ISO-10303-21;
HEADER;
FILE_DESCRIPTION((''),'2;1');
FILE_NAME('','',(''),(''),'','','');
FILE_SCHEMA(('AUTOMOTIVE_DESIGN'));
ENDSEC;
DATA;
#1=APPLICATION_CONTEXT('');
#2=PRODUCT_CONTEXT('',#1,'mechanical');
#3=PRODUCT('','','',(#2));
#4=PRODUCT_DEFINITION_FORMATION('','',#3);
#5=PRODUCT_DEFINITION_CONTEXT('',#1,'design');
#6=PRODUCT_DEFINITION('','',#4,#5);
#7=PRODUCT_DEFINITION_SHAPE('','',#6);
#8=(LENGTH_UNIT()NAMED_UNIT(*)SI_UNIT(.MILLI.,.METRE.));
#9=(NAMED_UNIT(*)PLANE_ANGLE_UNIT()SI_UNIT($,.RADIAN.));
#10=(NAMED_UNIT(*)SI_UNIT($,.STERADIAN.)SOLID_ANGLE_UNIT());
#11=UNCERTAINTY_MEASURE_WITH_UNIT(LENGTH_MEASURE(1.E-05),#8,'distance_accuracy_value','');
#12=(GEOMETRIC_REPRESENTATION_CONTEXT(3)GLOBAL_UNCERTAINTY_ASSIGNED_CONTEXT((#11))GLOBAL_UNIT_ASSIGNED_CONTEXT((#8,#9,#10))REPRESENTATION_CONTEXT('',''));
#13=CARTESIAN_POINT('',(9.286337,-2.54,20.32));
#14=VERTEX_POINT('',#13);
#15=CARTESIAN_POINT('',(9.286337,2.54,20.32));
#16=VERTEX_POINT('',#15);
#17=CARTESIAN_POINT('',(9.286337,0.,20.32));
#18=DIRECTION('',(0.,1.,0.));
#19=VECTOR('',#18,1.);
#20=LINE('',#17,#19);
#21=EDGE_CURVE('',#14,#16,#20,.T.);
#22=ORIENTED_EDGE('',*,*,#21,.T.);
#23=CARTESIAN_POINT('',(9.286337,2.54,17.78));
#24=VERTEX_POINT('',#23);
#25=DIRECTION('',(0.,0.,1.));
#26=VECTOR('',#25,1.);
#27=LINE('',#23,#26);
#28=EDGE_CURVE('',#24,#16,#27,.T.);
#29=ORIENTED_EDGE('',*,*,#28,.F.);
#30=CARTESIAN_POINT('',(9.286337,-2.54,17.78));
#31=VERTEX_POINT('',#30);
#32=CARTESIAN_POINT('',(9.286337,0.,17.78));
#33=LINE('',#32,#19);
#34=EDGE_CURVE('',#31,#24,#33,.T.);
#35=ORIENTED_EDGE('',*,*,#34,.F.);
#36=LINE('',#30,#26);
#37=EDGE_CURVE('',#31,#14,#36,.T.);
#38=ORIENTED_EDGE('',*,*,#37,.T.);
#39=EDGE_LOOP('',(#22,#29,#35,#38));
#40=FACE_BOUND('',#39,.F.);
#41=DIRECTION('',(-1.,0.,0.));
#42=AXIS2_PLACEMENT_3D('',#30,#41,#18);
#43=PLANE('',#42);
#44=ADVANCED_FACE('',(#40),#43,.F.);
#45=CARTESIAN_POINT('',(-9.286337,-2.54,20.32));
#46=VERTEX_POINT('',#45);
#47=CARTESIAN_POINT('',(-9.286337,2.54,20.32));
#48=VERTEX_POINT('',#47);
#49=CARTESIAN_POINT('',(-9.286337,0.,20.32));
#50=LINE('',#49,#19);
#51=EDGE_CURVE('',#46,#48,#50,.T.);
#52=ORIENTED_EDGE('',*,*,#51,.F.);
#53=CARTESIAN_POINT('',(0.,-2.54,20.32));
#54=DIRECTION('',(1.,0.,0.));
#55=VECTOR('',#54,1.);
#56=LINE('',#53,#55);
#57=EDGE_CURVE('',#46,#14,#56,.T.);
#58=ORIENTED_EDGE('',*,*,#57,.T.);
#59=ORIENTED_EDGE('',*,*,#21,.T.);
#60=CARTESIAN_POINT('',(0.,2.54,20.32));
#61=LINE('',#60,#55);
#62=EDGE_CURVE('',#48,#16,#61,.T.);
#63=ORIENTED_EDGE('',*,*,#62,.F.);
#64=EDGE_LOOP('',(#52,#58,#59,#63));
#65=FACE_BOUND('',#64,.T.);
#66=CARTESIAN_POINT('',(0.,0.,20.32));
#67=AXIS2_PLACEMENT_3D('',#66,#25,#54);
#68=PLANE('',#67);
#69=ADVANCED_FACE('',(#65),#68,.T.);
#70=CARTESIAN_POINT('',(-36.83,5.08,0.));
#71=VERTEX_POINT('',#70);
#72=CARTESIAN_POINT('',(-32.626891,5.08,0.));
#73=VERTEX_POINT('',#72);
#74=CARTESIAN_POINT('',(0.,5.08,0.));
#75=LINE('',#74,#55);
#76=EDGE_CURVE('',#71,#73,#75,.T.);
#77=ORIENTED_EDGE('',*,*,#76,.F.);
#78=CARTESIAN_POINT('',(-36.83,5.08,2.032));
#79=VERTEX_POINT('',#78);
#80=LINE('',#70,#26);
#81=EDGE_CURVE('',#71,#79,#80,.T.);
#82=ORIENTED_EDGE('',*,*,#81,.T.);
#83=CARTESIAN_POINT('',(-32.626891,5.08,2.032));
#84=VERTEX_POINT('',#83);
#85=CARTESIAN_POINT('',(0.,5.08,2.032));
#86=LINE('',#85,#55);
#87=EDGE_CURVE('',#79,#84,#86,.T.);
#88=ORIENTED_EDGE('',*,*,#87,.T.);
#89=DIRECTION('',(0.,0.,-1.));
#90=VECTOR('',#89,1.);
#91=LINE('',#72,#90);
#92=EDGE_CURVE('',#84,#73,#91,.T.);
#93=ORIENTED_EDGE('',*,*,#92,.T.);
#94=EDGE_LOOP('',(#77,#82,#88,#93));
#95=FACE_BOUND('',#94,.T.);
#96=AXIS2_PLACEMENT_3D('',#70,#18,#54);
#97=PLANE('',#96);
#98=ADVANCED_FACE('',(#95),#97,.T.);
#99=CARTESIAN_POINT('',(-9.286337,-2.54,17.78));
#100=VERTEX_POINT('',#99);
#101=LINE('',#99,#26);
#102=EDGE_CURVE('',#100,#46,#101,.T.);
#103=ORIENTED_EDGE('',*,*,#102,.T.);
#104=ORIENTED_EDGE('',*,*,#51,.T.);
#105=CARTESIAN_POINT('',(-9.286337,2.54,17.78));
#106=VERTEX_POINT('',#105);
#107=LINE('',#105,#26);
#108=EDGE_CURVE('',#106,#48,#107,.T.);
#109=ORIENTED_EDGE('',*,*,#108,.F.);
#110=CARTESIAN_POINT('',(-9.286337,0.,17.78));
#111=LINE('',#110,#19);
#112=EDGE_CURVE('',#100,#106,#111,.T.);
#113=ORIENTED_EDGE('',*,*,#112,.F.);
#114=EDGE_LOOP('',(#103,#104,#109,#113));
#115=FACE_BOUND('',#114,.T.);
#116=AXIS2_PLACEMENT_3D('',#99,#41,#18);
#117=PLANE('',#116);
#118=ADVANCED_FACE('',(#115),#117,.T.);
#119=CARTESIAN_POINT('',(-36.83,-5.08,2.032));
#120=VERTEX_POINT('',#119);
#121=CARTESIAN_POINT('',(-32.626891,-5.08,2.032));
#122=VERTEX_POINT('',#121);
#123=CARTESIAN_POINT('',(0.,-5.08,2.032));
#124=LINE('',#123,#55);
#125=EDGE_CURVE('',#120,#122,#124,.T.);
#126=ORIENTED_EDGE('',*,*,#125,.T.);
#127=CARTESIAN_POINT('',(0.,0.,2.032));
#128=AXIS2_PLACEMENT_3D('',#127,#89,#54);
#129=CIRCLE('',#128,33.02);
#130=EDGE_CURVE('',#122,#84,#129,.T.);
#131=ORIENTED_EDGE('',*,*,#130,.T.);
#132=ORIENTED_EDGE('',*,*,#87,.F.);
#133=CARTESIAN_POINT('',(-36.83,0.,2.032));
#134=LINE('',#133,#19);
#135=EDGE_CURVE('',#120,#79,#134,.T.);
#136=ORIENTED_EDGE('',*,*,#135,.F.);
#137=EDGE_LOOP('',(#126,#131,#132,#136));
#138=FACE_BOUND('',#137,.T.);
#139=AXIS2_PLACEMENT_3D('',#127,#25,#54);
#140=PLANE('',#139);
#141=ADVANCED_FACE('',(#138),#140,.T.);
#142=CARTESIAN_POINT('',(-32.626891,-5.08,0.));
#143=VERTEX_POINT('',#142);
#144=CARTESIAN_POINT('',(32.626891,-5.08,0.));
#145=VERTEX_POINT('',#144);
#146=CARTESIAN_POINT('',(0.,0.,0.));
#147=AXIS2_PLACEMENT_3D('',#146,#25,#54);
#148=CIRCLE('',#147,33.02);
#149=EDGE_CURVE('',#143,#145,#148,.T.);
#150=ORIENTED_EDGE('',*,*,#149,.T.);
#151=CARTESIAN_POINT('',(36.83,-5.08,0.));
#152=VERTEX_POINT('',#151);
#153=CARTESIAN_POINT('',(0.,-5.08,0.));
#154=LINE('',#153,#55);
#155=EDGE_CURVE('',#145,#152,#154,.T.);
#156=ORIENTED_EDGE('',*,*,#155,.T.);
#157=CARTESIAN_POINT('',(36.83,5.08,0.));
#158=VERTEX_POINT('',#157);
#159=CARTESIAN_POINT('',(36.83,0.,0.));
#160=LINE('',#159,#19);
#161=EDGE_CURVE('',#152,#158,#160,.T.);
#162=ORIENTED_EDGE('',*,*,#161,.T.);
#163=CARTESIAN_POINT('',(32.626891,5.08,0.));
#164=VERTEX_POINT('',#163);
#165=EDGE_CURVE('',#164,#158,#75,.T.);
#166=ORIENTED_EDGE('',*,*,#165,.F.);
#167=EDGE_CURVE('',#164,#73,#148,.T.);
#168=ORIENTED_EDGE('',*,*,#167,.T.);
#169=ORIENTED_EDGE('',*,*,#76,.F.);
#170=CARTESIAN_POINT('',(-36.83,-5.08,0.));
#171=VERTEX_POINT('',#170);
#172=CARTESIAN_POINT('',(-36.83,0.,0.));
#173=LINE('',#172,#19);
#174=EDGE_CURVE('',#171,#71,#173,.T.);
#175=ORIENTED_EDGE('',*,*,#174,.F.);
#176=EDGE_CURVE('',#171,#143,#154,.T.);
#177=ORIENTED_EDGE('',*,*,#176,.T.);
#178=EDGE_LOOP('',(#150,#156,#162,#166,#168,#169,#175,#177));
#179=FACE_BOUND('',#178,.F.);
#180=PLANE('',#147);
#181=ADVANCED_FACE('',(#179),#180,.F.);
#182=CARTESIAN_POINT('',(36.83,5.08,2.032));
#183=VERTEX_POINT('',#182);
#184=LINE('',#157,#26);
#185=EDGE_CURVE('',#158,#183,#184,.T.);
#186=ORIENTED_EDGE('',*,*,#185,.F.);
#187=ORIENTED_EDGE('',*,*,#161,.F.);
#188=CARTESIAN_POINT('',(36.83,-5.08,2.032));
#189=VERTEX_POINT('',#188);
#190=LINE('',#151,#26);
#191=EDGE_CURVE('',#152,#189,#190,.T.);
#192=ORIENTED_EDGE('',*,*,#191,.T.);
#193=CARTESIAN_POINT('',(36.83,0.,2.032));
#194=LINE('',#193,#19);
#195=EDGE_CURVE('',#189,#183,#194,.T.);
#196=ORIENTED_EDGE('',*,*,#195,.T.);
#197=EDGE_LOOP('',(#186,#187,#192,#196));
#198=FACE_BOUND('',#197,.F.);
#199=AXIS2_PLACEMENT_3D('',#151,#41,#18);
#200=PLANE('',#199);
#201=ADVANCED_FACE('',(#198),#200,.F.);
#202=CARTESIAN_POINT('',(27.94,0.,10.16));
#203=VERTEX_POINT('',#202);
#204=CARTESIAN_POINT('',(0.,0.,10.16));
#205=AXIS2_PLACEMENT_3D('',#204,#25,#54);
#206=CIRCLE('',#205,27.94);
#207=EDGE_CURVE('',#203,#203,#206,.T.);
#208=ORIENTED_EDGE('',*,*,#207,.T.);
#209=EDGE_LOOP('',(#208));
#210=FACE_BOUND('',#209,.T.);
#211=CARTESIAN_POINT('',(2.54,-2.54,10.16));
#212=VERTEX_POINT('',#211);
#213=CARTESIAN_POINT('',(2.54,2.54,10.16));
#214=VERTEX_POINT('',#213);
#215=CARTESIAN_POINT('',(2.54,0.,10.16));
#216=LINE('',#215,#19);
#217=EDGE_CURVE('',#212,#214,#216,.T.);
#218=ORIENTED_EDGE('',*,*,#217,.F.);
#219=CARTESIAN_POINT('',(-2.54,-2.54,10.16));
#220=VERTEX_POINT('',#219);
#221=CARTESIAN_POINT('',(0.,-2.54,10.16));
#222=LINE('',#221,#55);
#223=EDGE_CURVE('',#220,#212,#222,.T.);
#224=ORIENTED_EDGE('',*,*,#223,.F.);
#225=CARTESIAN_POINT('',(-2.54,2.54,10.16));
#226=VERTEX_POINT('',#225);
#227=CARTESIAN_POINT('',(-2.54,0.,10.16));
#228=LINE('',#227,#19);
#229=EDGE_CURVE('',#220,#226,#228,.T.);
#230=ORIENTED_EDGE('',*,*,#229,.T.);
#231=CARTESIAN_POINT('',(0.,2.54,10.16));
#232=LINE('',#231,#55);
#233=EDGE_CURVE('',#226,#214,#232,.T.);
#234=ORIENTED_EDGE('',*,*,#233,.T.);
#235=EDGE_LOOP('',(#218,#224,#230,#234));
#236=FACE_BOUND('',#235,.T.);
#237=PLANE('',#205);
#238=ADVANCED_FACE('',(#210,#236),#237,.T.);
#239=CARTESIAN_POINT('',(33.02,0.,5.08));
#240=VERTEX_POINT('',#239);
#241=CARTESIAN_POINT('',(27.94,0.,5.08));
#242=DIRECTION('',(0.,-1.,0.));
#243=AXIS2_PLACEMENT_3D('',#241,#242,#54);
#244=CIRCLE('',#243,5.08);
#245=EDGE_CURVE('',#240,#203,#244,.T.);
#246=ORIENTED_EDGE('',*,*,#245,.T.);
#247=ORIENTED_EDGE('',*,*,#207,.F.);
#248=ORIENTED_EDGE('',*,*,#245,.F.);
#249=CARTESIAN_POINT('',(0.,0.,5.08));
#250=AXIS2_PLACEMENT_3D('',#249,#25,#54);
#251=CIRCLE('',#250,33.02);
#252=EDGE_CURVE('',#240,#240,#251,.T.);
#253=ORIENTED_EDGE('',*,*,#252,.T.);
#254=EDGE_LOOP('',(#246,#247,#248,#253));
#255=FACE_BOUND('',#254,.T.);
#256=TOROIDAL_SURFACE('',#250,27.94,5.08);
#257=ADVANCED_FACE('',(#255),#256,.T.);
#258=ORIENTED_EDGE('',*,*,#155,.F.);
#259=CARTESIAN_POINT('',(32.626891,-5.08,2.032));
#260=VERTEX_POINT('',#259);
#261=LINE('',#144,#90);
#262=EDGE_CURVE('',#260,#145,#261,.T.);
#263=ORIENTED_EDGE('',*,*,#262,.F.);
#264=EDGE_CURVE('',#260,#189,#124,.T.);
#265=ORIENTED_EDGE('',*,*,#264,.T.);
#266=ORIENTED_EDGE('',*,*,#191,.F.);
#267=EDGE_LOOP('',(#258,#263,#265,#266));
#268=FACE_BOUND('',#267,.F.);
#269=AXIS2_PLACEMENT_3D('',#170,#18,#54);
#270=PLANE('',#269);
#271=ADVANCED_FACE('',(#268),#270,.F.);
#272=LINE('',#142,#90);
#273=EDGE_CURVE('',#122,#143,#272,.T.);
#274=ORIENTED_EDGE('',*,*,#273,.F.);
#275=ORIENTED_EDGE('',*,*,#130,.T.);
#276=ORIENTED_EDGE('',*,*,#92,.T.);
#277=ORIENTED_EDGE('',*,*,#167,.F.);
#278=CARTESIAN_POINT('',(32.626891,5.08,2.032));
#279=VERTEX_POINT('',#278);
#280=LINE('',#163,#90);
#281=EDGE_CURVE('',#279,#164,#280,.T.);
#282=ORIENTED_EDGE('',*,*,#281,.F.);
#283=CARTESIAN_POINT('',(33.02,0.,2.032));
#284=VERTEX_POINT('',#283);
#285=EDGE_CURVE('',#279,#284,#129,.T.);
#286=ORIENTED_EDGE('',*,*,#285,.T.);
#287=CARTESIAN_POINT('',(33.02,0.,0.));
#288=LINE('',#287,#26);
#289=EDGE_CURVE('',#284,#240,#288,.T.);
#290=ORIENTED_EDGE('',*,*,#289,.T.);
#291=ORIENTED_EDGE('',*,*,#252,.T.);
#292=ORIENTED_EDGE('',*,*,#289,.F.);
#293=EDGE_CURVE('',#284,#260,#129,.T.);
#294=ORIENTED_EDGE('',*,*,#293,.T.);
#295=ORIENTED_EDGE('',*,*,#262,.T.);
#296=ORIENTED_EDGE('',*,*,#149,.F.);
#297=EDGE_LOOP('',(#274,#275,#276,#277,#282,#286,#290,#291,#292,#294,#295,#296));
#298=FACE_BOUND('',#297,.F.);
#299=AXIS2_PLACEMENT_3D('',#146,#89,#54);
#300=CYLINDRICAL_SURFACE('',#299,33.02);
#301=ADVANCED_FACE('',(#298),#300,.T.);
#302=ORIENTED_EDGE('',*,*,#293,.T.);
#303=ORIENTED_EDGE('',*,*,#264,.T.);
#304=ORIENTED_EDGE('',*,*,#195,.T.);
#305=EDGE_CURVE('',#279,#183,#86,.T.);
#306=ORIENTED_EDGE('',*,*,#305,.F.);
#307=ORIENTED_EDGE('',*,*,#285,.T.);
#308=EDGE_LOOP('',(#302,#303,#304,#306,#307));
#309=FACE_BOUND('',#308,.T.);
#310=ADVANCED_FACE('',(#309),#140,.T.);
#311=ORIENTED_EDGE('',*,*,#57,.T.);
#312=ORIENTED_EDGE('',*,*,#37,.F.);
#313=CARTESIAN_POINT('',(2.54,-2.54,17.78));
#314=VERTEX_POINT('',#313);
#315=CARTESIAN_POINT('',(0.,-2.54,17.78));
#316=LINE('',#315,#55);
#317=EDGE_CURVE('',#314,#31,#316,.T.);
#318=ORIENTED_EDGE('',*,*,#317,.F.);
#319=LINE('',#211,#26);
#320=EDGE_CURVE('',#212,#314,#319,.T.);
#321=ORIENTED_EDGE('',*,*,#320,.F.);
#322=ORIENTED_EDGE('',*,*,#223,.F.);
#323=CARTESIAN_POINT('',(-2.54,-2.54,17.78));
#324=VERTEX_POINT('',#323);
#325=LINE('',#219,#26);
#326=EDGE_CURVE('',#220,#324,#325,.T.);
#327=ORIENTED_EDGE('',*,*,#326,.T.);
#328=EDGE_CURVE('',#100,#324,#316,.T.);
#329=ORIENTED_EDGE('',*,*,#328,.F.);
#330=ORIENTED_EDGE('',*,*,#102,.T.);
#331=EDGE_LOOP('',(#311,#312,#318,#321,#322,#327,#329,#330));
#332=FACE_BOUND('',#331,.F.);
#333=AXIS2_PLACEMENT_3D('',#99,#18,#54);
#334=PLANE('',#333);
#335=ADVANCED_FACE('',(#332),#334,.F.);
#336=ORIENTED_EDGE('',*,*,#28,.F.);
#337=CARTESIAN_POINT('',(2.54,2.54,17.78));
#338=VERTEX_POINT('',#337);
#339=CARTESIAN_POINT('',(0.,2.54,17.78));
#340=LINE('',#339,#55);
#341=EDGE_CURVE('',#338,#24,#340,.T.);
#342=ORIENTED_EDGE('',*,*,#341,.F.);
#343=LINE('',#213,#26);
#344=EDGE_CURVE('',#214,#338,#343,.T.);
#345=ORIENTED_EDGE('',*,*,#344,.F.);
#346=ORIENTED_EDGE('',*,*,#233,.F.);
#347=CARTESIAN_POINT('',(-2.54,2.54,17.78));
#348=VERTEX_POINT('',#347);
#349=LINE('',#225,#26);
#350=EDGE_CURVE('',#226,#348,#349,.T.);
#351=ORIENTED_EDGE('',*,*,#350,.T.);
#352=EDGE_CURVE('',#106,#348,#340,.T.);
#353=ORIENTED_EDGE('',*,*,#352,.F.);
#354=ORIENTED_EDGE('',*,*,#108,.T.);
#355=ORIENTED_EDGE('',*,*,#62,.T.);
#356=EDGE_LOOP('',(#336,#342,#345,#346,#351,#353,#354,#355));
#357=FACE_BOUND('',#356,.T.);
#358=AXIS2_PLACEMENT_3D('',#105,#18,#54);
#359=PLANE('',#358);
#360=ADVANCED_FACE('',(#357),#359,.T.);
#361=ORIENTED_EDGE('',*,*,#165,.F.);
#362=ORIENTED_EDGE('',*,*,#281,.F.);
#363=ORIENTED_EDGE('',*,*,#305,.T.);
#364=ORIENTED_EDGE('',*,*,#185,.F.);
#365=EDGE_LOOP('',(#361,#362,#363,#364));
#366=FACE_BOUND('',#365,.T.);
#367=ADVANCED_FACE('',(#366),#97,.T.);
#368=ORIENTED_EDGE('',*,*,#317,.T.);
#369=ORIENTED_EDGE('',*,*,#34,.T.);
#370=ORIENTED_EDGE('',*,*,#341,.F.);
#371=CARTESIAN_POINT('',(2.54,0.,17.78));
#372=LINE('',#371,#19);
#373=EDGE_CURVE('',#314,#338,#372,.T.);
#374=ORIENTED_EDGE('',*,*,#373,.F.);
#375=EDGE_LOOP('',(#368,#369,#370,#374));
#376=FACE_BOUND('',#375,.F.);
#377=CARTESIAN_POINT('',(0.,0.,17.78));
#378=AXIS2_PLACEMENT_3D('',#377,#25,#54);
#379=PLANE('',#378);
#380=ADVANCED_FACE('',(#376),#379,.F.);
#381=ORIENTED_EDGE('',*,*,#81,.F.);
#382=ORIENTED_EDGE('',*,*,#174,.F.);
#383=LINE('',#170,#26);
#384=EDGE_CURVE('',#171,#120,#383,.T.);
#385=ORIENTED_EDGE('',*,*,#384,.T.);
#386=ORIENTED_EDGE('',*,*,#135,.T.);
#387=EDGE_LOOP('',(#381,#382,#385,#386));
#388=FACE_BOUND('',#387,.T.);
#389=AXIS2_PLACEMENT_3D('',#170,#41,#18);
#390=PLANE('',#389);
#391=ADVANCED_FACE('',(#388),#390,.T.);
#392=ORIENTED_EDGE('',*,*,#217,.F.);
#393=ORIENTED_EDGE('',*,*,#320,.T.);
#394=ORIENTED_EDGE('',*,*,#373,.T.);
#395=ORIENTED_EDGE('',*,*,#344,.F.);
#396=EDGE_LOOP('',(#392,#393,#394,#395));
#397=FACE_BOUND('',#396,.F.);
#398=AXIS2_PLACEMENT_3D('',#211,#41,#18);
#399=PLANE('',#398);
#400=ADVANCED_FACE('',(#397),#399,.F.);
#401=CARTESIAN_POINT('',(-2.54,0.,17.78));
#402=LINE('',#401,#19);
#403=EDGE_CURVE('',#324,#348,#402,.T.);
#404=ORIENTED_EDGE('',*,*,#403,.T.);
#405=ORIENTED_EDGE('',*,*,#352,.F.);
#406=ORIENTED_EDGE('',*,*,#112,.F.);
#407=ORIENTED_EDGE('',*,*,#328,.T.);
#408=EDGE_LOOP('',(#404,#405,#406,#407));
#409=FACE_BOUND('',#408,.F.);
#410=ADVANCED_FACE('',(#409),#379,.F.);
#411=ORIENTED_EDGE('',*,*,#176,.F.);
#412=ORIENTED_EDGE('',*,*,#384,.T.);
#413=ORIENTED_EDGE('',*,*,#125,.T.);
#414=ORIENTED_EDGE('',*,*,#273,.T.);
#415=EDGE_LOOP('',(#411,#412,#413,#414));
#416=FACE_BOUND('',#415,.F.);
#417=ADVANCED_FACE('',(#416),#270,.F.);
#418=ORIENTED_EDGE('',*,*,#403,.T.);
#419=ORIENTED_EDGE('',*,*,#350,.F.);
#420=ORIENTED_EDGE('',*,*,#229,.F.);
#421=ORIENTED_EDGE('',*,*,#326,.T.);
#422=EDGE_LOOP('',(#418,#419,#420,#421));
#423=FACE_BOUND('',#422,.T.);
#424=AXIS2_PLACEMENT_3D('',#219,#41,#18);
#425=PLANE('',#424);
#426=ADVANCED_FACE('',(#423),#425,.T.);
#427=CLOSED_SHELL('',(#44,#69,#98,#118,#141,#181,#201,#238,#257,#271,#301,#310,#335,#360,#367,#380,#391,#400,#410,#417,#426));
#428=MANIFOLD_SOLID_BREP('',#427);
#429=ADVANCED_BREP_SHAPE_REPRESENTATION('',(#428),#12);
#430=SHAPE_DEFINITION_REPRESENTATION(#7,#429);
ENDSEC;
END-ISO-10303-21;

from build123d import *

# Parameters (mm, degrees)
F0_R     = 33.02
F1_DEPTH = 10.16
F2_R     = 5.08
F3_W     = 5.08
F3_H     = 5.08
F4_DEPTH = 7.62
F5_W     = 18.572674
F5_H     = 5.08
F6_DEPTH = 2.54
F7_W     = 73.66
F7_H     = 10.16
F8_DEPTH = 2.032


with BuildPart() as f1:
    # F0 (on Top) → F1 (new body)
    with BuildSketch(Plane.XY):
        Circle(F0_R)
    extrude(amount=F1_DEPTH)

    # F2
    f2_edges = [f1.edges().sort_by_distance(p)[0] for p in [
        (-33.02, 0, 10.16),
    ]]
    fillet(f2_edges, radius=F2_R)

    # F3 (on face) → F4 (join)
    with BuildSketch(Plane.XY.offset(10.16)):
        Rectangle(F3_W, F3_H)
    extrude(amount=F4_DEPTH)

    # F5 (on face) → F6 (join)
    with BuildSketch(Plane.XY.offset(17.78)):
        Rectangle(F5_W, F5_H)
    extrude(amount=F6_DEPTH)

    # F7 (on Top) → F8 (join)
    with BuildSketch(Plane.XY):
        Rectangle(F7_W, F7_H)
    extrude(amount=F8_DEPTH)


solid = f1.part
